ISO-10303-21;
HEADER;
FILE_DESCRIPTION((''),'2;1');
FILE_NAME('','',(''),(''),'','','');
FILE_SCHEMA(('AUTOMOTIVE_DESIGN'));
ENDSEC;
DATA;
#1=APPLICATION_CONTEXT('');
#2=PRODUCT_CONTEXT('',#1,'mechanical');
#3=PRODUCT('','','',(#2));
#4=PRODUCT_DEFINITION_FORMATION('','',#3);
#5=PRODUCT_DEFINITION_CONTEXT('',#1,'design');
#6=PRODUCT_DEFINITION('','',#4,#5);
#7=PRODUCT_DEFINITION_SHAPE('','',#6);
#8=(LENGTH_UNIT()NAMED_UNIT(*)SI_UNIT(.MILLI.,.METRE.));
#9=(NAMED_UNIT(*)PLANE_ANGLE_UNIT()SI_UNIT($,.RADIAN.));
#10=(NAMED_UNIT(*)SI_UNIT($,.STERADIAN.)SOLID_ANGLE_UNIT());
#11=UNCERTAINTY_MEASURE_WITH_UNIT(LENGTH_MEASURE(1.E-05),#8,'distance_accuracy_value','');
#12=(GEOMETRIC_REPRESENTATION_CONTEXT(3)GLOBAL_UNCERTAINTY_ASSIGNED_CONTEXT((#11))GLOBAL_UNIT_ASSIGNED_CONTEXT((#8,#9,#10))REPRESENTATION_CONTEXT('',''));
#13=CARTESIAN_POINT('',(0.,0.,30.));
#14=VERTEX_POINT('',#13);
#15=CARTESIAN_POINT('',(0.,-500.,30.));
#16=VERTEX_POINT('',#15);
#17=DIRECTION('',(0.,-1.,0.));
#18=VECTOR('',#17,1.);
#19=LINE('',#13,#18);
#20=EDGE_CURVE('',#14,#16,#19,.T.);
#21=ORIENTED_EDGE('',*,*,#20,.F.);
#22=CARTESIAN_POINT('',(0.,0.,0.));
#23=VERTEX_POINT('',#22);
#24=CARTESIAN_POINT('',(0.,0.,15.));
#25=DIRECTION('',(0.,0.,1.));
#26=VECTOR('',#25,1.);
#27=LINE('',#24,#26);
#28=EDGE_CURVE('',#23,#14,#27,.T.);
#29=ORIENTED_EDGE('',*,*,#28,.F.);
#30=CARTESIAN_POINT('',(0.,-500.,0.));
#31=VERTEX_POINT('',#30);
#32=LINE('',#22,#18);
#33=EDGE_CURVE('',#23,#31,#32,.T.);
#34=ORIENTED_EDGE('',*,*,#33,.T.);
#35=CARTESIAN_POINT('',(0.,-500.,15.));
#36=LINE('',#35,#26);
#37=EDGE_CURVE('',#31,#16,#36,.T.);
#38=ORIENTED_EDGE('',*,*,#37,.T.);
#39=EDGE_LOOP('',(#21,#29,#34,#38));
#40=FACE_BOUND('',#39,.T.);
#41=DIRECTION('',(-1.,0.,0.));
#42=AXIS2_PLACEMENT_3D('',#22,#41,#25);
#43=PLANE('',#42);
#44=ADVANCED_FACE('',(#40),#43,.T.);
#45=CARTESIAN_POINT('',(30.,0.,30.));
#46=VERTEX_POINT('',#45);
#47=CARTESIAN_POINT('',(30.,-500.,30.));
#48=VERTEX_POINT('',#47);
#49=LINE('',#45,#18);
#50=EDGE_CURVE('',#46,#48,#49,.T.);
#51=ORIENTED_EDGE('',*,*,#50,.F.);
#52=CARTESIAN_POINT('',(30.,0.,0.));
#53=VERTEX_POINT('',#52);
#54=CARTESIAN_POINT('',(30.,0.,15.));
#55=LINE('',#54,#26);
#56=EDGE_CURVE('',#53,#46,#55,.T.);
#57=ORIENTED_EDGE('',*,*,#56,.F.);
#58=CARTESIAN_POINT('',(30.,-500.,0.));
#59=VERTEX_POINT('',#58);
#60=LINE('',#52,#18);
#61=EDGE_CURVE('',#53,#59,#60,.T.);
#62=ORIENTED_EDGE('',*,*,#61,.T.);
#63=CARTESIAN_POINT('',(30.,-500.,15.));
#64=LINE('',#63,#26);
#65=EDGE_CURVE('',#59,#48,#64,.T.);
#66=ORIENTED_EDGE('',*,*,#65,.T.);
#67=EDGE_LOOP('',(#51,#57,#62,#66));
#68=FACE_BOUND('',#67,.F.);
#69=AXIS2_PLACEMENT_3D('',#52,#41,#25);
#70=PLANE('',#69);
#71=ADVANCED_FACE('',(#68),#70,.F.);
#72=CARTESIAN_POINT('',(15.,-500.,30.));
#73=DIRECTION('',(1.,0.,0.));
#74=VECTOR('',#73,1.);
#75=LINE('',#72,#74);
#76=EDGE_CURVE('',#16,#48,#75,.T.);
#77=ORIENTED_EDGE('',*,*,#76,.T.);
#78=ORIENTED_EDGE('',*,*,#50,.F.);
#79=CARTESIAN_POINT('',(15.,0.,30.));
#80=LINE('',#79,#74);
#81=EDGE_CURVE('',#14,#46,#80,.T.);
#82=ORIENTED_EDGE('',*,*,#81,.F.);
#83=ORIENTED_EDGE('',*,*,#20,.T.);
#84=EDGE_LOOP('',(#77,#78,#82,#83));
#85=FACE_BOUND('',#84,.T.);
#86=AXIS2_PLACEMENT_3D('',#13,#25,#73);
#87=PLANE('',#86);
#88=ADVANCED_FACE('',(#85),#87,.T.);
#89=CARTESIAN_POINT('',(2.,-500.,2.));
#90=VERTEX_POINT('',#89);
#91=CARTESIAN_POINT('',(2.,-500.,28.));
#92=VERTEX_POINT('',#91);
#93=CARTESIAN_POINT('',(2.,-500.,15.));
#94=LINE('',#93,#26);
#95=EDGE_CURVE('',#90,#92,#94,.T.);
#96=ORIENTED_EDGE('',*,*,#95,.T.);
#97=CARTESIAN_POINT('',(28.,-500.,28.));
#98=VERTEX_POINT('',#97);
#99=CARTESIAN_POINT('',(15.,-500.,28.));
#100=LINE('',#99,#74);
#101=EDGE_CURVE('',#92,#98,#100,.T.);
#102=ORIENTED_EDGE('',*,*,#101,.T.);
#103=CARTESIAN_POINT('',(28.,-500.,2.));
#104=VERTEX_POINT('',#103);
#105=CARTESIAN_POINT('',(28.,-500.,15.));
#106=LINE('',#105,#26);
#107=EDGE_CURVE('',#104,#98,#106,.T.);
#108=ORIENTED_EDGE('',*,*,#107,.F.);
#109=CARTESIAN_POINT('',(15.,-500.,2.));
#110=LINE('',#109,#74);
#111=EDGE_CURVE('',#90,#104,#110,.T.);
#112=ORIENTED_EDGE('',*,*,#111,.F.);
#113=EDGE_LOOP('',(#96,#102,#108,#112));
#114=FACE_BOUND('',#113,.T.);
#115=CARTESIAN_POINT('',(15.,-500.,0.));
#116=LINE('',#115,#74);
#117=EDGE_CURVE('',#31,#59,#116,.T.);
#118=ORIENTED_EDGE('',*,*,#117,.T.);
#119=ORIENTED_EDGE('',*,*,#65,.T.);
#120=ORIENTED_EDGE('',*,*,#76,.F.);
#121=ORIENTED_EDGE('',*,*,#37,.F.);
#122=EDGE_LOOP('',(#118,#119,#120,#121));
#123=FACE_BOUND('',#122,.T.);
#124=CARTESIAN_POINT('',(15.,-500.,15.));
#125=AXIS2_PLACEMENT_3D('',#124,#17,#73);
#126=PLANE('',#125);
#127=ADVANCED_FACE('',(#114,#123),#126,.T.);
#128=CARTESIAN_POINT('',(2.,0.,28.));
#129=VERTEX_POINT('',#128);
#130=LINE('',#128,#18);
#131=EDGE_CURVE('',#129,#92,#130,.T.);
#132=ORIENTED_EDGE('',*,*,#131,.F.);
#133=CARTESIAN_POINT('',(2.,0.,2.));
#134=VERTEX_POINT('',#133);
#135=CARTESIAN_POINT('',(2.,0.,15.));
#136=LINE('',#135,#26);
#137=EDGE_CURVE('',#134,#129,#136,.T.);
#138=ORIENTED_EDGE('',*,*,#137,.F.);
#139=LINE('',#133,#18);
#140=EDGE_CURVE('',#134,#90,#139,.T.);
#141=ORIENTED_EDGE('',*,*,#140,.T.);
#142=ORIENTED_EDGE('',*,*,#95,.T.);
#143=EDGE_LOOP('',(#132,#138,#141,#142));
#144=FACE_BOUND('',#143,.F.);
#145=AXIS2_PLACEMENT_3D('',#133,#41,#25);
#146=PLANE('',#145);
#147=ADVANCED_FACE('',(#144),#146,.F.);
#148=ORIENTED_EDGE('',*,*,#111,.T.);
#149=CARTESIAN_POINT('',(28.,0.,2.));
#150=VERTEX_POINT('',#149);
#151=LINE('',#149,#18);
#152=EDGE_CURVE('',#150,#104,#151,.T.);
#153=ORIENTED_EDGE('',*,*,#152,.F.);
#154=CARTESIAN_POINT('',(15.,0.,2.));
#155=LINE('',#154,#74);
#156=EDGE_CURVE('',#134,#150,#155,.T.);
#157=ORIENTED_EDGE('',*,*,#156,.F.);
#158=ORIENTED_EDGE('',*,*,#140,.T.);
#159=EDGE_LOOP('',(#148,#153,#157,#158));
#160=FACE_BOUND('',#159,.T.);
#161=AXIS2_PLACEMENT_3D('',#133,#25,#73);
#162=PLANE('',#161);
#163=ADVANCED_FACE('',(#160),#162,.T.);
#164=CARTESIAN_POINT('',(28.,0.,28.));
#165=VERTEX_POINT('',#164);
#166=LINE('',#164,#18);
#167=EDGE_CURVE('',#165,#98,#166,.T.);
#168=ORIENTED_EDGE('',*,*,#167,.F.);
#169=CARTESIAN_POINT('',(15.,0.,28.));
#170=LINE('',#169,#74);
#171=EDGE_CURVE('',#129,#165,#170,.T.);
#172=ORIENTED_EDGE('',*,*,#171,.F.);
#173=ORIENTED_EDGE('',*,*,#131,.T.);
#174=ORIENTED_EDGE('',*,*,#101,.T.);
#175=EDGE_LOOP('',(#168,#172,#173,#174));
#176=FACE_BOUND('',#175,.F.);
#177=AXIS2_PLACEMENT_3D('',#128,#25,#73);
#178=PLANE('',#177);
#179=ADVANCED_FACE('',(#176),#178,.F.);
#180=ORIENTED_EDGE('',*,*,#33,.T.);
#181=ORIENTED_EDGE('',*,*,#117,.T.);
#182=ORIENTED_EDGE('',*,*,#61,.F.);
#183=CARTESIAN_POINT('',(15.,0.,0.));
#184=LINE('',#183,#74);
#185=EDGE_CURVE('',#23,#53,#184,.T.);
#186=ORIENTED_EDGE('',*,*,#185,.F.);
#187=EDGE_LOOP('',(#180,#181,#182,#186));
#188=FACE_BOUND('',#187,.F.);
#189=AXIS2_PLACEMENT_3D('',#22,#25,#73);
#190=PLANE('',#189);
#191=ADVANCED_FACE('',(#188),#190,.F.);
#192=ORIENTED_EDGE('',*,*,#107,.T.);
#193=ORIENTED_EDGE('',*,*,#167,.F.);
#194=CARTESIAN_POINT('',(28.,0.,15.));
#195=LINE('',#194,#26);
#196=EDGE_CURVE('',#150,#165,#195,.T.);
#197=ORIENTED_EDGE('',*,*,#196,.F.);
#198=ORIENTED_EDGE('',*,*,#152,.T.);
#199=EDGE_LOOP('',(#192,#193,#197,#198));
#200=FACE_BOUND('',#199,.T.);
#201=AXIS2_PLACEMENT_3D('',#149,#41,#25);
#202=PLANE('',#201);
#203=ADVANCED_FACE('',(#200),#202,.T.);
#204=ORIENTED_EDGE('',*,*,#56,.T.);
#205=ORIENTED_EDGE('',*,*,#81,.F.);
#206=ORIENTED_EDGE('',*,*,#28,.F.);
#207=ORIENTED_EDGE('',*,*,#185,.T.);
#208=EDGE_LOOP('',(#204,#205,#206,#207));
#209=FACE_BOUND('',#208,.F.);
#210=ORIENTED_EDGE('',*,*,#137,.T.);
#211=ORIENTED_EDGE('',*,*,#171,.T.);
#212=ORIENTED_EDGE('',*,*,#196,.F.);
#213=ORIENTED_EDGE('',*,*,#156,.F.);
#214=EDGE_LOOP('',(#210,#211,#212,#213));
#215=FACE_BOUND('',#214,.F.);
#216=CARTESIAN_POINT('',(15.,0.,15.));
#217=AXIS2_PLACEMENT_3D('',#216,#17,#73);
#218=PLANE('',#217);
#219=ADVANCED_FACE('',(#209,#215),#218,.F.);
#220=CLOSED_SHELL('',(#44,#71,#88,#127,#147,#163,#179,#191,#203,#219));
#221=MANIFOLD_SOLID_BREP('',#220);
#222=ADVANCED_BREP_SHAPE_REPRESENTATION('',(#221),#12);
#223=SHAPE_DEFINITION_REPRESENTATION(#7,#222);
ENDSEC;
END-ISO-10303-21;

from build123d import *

# Parameters (mm, degrees)
SKETCH_W   = 30
SKETCH_H   = 30
SKETCH_W_2 = 26
SKETCH_H_2 = 26
PAD_DEPTH  = 500


with BuildPart() as part:
    # Sketch → Pad (new body)
    with BuildSketch(Plane.XZ):
        with Locations((15, 15)):
            Rectangle(SKETCH_W, SKETCH_H)
        with Locations((15, 15)):
            Rectangle(SKETCH_W_2, SKETCH_H_2, mode=Mode.SUBTRACT)
    extrude(amount=PAD_DEPTH)


solid = part.part
